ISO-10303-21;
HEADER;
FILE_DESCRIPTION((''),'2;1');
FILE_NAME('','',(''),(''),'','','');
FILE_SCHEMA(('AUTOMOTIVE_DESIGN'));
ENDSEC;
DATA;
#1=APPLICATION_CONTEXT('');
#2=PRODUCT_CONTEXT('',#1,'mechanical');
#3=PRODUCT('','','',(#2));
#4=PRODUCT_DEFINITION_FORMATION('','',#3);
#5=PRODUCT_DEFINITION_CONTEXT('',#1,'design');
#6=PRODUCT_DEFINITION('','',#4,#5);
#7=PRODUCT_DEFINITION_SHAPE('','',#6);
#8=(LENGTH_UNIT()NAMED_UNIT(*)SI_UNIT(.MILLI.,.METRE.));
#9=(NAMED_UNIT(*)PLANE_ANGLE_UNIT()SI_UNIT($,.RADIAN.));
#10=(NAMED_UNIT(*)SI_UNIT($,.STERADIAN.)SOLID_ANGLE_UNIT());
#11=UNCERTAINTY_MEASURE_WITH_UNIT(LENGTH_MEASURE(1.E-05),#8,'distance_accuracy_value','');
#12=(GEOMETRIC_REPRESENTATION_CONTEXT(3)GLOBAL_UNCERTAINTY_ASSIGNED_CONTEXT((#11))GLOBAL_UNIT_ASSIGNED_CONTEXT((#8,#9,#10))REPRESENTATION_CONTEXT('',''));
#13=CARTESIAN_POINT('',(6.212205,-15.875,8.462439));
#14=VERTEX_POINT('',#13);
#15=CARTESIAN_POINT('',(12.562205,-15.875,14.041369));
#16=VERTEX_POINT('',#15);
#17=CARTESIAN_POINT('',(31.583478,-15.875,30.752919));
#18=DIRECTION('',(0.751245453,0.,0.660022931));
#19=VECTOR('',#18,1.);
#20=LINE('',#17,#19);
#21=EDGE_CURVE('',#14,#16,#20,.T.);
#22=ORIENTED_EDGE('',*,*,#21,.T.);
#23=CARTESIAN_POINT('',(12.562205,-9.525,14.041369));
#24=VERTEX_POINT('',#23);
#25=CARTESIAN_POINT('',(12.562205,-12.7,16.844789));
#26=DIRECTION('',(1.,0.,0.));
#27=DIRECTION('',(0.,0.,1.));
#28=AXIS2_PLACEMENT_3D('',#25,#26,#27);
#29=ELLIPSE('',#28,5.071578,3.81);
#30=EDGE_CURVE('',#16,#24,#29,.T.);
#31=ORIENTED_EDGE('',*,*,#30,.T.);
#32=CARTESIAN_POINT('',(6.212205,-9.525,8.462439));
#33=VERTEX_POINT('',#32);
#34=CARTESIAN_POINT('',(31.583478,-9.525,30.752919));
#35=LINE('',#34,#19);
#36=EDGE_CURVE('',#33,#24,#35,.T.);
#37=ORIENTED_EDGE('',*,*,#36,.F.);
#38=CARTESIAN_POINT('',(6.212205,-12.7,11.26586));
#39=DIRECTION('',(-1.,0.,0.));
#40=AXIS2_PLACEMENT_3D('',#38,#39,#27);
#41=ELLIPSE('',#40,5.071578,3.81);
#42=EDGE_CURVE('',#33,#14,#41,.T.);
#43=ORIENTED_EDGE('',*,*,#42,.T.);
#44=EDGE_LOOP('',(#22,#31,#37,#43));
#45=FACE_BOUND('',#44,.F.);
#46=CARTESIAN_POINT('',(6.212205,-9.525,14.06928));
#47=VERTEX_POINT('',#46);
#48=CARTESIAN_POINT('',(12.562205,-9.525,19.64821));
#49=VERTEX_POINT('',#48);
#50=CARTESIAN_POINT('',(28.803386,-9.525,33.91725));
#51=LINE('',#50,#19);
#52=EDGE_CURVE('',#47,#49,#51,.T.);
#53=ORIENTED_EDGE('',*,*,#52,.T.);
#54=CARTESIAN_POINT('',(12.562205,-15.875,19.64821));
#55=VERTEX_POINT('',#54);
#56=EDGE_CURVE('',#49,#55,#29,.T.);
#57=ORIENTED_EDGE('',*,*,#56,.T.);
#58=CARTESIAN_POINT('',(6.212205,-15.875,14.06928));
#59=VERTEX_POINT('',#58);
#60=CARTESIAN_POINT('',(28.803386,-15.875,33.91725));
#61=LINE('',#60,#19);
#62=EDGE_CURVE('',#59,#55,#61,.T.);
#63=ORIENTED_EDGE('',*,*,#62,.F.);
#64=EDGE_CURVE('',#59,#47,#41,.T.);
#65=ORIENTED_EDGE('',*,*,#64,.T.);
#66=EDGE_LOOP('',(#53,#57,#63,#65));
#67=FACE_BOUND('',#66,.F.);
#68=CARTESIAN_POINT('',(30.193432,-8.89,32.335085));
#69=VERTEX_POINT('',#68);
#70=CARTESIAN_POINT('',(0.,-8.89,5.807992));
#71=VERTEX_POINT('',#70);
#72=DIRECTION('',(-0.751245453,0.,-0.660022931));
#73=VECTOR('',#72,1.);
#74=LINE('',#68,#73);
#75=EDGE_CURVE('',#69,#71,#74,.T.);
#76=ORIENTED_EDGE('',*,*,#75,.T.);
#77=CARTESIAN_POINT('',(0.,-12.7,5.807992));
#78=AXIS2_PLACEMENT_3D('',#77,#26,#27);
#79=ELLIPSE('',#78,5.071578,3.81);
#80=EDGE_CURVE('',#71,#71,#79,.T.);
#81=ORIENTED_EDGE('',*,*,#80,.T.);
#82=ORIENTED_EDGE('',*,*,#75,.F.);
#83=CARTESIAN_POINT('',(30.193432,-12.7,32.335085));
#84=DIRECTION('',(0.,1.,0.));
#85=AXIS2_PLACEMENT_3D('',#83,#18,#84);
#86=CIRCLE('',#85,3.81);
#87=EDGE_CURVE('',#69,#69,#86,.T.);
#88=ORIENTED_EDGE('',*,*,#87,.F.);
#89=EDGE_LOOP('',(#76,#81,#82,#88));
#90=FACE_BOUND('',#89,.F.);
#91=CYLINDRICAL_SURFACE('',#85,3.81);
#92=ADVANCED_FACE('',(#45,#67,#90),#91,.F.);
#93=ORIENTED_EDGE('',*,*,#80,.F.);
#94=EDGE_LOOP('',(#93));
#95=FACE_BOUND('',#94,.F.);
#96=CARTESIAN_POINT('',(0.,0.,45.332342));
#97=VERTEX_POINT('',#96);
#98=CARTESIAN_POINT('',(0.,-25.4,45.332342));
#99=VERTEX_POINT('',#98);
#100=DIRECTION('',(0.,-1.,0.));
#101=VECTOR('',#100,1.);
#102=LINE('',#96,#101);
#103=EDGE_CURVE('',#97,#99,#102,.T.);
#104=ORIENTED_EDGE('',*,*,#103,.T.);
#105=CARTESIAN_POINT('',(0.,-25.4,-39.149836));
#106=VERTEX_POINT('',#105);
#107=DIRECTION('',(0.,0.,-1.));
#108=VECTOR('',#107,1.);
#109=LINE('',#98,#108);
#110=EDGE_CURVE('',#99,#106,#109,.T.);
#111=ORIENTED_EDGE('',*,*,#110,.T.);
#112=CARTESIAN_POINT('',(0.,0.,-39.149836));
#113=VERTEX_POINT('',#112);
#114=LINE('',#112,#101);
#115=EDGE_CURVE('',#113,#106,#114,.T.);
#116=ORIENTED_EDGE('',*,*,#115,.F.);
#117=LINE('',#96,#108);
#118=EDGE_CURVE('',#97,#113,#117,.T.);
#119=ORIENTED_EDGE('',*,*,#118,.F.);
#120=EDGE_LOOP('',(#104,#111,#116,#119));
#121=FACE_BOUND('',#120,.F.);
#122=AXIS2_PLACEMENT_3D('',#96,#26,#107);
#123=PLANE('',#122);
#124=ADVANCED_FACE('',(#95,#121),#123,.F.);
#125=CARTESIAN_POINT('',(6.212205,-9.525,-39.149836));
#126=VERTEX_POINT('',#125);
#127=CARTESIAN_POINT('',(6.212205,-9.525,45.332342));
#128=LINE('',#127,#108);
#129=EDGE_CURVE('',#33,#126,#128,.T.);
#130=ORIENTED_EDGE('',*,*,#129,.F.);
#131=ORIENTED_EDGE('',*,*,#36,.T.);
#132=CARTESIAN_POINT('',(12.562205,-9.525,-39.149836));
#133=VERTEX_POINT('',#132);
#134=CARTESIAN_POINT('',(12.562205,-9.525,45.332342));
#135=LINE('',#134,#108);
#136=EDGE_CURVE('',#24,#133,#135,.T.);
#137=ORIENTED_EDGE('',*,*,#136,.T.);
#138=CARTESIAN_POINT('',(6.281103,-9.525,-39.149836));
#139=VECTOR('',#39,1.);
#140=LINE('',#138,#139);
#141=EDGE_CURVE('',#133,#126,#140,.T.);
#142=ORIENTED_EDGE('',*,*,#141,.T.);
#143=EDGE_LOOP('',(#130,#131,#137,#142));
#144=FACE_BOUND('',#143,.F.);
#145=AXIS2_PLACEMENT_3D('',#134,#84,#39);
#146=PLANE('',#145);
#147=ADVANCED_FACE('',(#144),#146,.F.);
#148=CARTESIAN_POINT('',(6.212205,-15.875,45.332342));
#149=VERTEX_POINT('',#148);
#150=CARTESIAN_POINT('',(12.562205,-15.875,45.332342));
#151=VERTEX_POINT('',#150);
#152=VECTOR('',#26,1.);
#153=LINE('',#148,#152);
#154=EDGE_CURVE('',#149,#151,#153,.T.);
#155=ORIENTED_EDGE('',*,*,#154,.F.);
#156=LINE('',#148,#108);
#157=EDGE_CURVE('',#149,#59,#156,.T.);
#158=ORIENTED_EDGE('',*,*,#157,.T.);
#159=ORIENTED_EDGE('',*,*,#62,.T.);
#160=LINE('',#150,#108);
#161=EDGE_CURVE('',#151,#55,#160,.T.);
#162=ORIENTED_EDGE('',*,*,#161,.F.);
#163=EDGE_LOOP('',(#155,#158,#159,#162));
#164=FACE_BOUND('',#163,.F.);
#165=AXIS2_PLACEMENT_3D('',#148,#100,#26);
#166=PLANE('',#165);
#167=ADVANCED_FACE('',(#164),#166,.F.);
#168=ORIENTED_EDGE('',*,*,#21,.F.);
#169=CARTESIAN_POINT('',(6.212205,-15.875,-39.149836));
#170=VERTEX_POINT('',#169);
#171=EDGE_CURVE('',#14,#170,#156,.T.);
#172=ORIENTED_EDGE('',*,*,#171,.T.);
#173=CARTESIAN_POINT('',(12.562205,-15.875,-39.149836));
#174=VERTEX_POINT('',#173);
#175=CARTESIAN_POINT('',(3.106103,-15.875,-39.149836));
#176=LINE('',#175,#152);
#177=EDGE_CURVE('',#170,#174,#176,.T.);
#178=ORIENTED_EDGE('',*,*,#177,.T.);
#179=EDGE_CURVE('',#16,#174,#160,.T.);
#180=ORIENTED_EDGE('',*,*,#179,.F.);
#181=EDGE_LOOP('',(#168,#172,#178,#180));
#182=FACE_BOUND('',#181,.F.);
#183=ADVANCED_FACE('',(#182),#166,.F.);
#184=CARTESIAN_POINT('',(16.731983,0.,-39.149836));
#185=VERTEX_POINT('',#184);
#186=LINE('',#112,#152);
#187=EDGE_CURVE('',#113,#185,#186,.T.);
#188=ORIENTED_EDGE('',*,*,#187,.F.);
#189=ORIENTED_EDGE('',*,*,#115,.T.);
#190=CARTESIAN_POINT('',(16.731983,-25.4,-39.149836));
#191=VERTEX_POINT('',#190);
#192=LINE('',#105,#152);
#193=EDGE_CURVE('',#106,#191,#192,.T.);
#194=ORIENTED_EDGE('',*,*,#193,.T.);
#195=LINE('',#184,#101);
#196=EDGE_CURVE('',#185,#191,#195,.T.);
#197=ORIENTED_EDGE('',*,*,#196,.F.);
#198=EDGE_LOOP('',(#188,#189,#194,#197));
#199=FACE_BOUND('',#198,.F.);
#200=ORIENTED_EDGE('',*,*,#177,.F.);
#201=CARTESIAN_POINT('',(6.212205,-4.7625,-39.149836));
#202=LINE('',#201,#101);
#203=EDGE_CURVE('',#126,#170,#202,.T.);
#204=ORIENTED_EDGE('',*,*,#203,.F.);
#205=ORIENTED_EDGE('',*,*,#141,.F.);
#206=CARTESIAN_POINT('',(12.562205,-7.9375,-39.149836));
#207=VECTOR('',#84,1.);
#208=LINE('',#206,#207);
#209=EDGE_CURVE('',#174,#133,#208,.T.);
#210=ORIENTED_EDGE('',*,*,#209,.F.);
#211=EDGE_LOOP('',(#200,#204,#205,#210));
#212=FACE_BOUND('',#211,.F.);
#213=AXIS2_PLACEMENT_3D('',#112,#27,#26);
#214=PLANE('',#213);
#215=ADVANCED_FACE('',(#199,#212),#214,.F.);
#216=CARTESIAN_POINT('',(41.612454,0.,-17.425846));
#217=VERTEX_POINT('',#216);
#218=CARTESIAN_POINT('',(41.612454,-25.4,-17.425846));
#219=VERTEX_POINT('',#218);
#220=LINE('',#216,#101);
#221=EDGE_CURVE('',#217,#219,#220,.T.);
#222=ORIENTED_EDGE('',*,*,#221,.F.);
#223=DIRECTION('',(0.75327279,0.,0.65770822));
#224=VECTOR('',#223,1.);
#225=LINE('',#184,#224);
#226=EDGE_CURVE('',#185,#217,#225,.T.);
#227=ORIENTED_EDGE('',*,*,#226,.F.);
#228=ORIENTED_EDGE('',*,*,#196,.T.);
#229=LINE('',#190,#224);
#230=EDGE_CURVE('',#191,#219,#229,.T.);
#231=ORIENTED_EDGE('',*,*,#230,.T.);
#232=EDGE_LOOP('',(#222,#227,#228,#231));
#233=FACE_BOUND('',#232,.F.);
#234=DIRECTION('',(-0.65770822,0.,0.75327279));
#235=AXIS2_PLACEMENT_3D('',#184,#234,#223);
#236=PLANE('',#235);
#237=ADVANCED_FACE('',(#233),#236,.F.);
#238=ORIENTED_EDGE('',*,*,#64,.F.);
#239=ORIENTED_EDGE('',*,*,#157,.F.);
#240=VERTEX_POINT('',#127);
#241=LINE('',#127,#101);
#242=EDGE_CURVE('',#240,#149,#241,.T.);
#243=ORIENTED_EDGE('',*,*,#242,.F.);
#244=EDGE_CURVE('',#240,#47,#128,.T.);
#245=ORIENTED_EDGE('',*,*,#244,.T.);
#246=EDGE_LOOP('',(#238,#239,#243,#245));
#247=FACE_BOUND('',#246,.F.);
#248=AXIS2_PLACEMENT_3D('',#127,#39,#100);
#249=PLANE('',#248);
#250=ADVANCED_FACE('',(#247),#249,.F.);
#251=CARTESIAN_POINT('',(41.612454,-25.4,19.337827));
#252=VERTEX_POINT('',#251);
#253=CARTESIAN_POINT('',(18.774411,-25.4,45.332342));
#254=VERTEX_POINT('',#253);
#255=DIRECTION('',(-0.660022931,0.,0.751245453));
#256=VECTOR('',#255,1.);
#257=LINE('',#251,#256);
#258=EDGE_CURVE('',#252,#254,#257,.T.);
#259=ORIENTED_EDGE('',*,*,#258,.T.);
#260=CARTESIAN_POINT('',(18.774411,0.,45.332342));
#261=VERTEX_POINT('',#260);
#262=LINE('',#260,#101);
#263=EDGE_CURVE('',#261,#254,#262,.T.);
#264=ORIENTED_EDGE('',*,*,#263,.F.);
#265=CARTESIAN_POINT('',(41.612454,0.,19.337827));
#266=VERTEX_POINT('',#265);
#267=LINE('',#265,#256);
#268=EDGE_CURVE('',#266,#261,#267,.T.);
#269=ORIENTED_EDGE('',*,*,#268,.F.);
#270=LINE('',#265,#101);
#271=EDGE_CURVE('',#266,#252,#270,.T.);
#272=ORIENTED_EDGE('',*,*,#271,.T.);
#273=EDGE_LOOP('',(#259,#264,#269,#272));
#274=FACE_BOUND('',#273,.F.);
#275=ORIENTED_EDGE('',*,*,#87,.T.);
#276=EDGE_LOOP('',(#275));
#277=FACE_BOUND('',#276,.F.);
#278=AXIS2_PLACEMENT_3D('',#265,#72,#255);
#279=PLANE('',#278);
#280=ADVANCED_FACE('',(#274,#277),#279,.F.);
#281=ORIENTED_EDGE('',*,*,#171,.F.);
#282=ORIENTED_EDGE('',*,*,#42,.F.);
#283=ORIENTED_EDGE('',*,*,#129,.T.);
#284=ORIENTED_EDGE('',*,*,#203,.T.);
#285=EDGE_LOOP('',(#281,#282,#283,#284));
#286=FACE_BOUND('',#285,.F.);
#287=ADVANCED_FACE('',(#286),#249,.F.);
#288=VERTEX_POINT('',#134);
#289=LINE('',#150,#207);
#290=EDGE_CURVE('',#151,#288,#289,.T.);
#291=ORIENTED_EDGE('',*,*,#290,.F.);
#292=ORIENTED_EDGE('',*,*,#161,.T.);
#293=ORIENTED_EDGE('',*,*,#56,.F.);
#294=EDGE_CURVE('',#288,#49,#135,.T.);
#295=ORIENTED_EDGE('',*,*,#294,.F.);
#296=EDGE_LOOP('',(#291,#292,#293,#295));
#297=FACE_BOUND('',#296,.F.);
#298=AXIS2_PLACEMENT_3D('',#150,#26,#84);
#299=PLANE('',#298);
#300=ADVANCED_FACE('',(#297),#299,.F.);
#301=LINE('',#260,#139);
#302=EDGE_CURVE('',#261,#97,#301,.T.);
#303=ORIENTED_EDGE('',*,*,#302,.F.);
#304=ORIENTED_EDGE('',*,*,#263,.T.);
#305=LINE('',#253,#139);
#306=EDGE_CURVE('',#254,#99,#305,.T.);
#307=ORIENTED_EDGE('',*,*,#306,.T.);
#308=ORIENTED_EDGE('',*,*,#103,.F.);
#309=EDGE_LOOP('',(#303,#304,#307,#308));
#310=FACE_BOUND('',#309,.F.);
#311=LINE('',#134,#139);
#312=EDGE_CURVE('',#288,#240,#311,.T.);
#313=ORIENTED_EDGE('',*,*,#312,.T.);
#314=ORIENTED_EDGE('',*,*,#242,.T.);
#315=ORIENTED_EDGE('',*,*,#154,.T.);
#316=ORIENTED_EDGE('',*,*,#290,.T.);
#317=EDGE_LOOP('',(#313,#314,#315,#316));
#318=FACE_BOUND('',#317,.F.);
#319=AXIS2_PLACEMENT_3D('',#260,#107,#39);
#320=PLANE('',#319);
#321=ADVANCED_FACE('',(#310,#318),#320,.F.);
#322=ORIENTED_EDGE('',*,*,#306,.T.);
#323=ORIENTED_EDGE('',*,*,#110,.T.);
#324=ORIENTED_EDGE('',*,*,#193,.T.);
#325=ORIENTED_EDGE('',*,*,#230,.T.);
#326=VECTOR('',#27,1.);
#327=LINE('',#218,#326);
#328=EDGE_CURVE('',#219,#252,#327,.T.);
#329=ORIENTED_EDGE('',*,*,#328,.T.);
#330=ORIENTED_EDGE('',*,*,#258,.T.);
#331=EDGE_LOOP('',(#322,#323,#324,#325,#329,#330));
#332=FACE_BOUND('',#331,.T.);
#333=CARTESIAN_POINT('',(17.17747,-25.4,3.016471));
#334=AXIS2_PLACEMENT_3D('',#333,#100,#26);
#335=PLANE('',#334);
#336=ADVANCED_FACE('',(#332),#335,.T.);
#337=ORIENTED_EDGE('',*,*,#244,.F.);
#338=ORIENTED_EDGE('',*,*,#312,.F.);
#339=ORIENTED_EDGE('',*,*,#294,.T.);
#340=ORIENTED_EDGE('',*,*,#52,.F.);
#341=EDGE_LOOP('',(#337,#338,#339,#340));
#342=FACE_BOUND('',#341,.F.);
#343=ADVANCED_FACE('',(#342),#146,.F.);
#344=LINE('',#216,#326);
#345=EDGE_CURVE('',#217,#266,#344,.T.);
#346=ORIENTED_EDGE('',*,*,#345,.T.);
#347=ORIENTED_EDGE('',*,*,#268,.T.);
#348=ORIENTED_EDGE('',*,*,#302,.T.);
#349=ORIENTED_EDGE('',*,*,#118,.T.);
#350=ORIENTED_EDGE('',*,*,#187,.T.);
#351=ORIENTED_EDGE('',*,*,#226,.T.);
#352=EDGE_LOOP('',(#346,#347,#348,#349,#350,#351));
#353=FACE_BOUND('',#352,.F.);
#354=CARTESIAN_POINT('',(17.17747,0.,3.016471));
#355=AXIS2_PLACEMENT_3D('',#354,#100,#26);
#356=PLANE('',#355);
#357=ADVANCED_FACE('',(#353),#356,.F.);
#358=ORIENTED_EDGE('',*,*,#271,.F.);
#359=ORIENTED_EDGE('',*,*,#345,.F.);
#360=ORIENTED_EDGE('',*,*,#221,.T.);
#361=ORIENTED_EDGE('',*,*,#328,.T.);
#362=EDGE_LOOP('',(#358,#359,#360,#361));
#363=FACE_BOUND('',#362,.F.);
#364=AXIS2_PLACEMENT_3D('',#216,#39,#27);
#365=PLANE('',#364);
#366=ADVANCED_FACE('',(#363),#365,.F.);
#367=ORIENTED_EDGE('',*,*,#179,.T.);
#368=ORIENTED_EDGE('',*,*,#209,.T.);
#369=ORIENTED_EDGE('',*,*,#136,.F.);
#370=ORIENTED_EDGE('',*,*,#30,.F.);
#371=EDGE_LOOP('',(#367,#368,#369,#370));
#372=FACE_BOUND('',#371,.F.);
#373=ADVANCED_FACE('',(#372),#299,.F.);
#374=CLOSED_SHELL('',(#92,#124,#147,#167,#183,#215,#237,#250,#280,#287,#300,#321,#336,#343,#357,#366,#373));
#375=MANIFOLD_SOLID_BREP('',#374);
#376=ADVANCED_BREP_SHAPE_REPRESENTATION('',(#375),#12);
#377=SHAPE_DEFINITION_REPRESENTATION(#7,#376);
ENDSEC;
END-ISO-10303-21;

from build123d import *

# Parameters (mm, degrees)
F1_DEPTH = 25.4
F2_R     = 3.81
F3_DEPTH = 69.8653654545
F4_W     = 3.175
F4_H     = 3.175
F5_DEPTH = 84.483178092


with BuildPart() as f1:
    # F0 (on Front) → F1 (new body)
    with BuildSketch(Plane.XZ):
        Polygon((0, 45.3323423862), (0, 0), (0, -39.1498357058), (16.7319830507, -39.1498357058), (41.6124537587, -17.4258463085), (41.6124537587, 19.3378273398), (18.7744107097, 45.3323423862), align=None)
    extrude(amount=F1_DEPTH)

    # F2 (on face) → F3 (cut, through all)
    with BuildSketch(Plane(origin=(33.0732626697, 0, 29.057229776), x_dir=(0, 1, 0), z_dir=(0.7512454532, 0, 0.6600229306))):
        with Locations((-12.7, 4.3632278543)):
            Circle(F2_R)
    extrude(amount=-F3_DEPTH, mode=Mode.SUBTRACT)

    # F4 (on face) → F5 (cut, through all)
    with BuildSketch(Plane.XY.offset(45.3323423862)):
        with Locations((7.7997053549, -14.2875)):
            Rectangle(F4_W, F4_H)
        with Locations((7.7997053549, -11.1125)):
            Rectangle(F4_W, F4_H)
        with Locations((10.9747053549, -11.1125)):
            Rectangle(F4_W, F4_H)
        with Locations((10.9747053549, -14.2875)):
            Rectangle(F4_W, F4_H)
    extrude(amount=-F5_DEPTH, mode=Mode.SUBTRACT)


solid = f1.part
